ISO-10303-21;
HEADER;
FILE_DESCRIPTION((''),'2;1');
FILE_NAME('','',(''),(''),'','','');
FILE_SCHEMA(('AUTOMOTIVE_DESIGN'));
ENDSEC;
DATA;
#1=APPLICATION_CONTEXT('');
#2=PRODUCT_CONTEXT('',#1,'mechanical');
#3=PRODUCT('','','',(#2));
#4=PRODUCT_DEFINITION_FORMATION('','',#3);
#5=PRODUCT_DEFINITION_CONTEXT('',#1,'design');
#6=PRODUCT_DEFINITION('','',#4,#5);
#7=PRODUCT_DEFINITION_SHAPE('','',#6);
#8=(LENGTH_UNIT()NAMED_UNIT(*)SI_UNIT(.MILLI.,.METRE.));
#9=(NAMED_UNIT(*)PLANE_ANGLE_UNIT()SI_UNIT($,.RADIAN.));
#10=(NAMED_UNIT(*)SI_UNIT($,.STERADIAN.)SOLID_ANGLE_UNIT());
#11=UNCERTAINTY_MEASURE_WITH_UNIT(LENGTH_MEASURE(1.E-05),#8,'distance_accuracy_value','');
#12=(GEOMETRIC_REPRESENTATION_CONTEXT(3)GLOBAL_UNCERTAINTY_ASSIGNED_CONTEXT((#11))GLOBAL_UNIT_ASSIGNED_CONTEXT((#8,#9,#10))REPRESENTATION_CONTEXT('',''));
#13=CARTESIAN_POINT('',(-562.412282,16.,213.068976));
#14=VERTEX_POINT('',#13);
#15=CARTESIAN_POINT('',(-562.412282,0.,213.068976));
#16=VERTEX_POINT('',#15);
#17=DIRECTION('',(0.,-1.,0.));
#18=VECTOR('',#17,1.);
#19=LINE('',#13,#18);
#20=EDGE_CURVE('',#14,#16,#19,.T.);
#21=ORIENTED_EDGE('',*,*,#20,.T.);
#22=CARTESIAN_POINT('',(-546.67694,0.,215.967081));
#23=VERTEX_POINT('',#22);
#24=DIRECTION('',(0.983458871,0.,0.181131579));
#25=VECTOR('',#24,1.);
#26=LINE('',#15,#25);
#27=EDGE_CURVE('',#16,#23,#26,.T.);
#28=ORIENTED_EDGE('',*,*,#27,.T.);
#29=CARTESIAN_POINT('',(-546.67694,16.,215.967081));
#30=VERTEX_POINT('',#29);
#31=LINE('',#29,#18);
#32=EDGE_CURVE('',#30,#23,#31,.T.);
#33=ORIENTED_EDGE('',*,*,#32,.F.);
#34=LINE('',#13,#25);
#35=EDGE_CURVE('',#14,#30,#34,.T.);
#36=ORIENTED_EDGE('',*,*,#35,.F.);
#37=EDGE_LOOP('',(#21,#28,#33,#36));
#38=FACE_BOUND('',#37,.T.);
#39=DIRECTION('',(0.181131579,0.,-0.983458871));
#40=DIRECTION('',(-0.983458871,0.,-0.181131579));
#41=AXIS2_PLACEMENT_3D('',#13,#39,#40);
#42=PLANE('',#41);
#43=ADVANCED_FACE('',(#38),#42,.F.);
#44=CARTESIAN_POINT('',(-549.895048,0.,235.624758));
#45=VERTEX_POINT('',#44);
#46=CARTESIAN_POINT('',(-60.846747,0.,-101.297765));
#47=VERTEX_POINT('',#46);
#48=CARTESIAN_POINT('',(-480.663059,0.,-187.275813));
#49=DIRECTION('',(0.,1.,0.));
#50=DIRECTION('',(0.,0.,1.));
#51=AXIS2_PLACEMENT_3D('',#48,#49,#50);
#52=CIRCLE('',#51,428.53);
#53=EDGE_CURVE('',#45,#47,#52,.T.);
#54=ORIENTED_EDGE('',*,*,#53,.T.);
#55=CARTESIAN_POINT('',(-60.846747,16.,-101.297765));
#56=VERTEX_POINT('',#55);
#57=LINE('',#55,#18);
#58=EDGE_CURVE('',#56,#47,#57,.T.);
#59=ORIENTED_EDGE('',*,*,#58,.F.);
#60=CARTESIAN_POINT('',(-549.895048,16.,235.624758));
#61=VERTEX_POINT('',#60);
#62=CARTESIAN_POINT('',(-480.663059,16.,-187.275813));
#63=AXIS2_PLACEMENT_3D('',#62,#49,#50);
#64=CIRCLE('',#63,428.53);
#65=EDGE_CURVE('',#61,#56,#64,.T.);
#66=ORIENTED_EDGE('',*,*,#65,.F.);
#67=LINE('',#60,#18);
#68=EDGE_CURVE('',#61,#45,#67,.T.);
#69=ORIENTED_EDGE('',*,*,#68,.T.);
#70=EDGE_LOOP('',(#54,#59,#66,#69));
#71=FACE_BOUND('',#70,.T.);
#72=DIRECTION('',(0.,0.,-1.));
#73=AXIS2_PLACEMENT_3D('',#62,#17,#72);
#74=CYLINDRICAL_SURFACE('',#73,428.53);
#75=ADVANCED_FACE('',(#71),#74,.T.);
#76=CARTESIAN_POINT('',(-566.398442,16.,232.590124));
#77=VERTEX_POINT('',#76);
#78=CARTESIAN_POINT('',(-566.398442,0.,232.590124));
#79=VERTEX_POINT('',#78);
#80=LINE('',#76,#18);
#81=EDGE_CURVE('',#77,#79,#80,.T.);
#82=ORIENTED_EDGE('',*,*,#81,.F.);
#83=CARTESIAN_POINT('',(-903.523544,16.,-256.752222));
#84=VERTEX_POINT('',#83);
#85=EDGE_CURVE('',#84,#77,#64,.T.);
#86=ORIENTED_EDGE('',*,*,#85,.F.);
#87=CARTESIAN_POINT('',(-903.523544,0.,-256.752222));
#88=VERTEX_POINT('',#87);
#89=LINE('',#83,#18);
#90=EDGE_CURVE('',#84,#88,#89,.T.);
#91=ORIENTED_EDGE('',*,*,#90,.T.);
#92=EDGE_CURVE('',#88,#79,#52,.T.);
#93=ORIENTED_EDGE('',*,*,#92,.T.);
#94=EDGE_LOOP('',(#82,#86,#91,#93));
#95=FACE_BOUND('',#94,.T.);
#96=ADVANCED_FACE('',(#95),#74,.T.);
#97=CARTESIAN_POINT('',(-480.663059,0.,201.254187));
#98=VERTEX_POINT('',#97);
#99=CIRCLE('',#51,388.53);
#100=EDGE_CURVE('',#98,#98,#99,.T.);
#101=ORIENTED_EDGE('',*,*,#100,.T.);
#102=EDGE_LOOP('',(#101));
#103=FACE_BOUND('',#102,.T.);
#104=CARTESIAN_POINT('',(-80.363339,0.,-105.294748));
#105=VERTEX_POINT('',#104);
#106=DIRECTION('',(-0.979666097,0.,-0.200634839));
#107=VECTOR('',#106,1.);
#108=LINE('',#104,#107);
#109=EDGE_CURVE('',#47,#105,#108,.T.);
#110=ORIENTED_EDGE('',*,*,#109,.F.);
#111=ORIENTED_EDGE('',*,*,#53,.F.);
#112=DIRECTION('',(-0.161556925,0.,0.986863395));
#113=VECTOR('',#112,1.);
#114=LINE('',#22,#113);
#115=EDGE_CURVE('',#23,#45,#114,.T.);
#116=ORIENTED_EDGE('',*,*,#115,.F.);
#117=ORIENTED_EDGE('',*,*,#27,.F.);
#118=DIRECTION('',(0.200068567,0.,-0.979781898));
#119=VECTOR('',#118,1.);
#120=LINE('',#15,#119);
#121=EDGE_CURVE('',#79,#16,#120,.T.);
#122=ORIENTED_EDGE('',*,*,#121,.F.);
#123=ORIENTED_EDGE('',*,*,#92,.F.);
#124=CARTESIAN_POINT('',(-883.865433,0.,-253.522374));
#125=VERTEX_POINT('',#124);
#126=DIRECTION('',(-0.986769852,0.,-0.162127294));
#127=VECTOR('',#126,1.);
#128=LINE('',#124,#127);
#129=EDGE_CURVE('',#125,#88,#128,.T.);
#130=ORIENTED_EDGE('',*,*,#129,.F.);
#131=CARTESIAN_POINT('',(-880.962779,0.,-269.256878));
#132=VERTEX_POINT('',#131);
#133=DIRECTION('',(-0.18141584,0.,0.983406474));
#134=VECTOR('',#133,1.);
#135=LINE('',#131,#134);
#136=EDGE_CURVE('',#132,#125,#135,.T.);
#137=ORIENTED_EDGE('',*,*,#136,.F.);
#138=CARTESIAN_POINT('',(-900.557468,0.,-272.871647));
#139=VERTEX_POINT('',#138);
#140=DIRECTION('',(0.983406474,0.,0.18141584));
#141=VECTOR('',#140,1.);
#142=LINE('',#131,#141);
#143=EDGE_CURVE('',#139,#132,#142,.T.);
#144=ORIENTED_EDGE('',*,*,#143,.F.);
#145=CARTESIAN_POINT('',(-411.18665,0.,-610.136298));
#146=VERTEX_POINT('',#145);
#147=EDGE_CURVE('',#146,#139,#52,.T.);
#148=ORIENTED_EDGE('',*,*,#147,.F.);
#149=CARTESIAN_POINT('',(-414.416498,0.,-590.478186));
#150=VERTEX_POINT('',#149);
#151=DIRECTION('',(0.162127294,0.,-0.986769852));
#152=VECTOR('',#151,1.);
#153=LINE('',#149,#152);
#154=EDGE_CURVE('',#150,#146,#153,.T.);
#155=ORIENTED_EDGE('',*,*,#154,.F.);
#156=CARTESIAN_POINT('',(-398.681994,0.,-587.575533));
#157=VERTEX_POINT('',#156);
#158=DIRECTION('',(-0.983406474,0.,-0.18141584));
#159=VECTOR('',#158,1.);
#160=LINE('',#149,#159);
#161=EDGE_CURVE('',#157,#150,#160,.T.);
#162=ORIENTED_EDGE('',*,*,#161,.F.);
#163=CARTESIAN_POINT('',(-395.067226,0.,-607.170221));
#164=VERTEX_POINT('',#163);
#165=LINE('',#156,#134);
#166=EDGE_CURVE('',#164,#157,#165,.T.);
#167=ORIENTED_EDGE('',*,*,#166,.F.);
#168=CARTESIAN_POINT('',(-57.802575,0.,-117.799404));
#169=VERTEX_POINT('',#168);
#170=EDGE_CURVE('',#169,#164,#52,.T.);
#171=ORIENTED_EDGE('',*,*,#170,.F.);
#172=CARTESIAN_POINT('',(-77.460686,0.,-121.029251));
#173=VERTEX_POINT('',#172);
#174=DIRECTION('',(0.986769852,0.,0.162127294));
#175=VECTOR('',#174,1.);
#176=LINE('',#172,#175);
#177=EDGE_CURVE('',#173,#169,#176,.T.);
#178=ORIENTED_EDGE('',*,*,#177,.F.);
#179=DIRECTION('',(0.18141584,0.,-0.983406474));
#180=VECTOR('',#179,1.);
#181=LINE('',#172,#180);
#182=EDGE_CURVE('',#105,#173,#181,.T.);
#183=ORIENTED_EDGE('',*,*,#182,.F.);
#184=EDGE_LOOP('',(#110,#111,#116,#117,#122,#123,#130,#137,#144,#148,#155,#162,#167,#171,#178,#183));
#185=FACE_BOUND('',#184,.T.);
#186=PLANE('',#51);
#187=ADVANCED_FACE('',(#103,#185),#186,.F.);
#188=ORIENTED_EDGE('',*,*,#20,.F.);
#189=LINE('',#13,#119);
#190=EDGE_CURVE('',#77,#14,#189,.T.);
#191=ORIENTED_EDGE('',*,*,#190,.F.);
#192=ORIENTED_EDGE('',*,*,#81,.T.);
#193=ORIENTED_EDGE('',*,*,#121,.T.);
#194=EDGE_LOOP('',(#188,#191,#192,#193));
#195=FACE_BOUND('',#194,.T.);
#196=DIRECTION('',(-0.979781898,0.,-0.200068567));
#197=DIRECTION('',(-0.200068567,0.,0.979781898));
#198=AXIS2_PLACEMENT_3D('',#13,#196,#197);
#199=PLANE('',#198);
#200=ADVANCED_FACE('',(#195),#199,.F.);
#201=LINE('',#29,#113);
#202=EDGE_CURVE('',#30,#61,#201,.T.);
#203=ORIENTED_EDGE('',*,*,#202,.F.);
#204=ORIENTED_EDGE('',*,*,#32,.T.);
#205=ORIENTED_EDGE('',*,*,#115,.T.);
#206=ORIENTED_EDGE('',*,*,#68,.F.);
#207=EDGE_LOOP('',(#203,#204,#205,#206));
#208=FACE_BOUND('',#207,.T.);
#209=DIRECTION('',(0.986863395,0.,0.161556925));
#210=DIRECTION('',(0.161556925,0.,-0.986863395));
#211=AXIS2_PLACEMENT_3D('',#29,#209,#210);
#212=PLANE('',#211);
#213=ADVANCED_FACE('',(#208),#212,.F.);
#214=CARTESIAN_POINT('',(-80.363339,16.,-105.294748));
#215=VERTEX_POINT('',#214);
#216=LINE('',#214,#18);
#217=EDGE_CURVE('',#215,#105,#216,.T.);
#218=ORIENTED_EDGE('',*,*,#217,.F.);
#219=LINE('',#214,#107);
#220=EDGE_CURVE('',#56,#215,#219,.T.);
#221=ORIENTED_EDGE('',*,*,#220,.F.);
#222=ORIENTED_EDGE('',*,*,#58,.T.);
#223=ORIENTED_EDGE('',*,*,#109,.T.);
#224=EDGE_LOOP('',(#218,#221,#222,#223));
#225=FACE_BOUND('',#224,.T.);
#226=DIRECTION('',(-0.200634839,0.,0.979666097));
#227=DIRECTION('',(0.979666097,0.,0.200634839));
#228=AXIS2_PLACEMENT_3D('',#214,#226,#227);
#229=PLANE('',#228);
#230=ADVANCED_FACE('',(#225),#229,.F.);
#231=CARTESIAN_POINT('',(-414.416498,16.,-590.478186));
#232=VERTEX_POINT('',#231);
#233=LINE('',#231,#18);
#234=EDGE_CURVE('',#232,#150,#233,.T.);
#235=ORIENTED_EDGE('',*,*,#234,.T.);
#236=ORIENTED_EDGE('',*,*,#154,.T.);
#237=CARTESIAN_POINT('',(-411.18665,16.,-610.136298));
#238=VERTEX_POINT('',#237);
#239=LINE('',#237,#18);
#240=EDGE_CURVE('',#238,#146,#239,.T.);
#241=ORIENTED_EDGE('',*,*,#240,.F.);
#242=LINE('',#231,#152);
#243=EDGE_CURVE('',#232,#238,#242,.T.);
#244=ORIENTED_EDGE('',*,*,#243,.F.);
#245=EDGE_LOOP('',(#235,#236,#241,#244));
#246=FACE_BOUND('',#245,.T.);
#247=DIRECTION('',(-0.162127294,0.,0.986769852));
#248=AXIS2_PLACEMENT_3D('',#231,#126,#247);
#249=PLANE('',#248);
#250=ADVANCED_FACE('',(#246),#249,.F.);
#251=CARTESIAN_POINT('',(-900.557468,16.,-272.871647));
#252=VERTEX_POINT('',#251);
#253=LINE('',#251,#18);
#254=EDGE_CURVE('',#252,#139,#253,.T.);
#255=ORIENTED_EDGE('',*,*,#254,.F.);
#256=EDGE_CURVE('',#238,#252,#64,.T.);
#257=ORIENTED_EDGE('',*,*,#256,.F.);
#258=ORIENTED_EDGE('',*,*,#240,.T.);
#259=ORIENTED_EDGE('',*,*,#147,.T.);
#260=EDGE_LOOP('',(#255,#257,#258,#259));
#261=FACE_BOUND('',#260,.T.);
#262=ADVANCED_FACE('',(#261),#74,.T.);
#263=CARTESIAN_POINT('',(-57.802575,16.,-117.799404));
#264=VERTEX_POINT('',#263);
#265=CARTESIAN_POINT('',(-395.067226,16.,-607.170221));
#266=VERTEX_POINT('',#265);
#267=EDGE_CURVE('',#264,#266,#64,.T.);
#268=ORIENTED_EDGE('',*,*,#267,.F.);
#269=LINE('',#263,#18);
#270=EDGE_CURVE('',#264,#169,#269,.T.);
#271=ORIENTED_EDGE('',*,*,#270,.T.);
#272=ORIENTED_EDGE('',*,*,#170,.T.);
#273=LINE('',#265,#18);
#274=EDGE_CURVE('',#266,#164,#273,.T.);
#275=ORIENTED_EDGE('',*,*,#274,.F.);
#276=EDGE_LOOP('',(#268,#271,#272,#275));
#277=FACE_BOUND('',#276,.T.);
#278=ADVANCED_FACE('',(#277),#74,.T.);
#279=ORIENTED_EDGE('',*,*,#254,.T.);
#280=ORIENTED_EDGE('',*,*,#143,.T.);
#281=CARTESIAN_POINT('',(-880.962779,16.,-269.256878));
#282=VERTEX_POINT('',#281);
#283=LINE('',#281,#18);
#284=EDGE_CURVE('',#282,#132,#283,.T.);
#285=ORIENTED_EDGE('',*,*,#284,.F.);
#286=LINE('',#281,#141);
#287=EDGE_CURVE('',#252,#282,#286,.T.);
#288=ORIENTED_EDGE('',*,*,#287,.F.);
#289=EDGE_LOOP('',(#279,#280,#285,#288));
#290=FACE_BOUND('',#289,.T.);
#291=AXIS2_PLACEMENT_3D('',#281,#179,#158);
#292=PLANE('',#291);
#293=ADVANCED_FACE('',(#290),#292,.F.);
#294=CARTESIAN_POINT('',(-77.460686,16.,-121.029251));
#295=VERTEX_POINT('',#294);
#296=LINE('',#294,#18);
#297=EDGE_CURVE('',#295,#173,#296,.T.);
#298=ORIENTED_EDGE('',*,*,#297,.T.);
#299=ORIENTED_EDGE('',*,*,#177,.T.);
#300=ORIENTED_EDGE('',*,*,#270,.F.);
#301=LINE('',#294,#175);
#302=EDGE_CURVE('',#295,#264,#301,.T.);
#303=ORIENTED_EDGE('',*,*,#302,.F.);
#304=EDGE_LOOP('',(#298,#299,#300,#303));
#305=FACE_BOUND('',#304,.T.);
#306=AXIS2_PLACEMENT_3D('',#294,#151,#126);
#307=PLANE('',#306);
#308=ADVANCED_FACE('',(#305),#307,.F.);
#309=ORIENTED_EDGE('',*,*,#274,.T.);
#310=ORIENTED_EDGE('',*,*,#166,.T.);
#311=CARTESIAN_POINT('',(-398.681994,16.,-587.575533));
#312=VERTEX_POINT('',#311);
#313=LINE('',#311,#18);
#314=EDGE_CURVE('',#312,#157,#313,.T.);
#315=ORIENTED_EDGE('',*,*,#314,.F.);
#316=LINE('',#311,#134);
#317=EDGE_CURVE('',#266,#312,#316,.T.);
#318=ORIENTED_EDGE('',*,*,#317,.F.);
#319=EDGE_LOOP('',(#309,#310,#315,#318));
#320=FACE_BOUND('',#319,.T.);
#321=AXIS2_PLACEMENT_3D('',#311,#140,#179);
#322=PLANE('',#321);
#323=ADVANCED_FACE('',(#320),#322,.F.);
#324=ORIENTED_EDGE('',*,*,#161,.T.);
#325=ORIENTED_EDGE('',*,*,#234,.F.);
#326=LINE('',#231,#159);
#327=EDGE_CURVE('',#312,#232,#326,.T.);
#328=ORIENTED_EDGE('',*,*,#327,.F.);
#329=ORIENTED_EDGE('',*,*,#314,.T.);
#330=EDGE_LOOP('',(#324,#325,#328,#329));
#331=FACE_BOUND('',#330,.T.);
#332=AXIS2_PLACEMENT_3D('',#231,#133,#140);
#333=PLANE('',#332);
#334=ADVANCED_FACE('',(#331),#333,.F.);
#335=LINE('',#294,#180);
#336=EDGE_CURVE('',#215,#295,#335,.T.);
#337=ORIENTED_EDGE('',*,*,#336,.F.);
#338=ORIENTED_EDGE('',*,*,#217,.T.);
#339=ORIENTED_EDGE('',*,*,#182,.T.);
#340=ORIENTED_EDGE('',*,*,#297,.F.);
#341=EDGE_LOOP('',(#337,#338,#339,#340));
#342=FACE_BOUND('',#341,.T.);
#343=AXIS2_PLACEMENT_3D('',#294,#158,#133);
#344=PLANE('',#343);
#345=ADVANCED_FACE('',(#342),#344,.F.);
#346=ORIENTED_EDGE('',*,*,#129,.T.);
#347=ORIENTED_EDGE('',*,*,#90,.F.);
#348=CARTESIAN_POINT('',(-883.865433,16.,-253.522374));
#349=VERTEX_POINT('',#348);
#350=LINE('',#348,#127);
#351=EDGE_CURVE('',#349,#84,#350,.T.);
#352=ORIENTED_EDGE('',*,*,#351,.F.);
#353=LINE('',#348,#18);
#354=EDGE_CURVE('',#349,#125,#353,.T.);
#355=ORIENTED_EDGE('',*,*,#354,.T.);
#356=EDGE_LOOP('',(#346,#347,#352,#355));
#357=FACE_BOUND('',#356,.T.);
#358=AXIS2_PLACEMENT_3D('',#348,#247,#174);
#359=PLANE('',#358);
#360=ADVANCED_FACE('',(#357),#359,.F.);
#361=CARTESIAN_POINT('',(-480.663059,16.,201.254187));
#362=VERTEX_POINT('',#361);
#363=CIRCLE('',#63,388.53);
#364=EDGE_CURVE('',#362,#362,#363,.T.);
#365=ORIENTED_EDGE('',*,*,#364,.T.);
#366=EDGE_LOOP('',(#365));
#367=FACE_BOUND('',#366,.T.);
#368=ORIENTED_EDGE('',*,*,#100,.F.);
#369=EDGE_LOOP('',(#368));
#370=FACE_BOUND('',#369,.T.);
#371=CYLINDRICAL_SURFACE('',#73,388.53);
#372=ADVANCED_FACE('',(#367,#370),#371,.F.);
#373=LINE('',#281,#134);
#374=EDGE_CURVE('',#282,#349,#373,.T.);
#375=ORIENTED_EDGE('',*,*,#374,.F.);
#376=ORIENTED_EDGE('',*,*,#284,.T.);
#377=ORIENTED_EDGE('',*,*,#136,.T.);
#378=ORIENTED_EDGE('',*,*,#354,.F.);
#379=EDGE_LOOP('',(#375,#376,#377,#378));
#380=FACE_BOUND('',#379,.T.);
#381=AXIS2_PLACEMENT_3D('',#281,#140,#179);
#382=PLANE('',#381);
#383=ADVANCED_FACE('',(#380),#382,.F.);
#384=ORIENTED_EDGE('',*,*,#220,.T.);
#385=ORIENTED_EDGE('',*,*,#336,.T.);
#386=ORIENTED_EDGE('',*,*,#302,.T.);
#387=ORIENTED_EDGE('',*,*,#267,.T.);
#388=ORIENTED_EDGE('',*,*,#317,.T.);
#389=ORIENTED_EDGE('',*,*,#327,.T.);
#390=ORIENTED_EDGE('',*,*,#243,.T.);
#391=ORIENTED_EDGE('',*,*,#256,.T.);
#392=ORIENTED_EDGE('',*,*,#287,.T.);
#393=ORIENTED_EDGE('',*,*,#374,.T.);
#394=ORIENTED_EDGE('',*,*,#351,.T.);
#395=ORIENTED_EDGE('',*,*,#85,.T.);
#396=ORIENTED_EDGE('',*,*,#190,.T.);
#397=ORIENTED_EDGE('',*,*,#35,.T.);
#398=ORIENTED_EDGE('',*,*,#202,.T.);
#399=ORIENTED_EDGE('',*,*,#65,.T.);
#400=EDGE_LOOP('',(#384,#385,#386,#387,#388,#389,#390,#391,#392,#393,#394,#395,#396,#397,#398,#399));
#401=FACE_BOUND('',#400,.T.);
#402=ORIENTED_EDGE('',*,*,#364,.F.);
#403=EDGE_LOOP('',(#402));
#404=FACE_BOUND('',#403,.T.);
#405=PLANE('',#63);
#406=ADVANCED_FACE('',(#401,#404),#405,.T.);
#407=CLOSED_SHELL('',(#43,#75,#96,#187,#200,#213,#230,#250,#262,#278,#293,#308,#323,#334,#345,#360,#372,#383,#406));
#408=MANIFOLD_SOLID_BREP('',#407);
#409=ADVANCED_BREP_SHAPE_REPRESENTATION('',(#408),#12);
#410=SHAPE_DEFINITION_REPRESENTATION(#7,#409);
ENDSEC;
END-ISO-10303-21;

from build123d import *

# Parameters (mm, degrees)
SKETCH_1_R      = 388.53
EXTRUDE_2_DEPTH = 16


with BuildPart() as part:
    # Эскиз1 → Бобышка-Вытянуть2 (new body)
    with BuildSketch(Plane(origin=(0, 0, 0), x_dir=(1, 0, 0), z_dir=(0, 1, 0))):
        with BuildLine():
            Line((-414.416497784, 590.478186418), (-398.681994202, 587.575532974))
            Line((-398.681994202, 587.575532974), (-395.067225603, 607.17022127))
            ThreePointArc((-395.067225603, 607.17022127), (-127.813365795, 430.452815829), (-57.802574586, 117.799403754))
            Line((-57.802574586, 117.799403754), (-77.460685724, 121.029251476))
            Line((-77.460685724, 121.029251476), (-80.363339169, 105.294747893))
            Line((-80.363339169, 105.294747893), (-60.846746751, 101.297765253))
            ThreePointArc((-60.846746751, 101.297765253), (-237.544696024, -165.614286652), (-549.895048486, -235.624757623))
            Line((-549.895048486, -235.624757623), (-546.676939726, -215.967081375))
            Line((-546.676939726, -215.967081375), (-562.412281664, -213.068976114))
            Line((-562.412281664, -213.068976114), (-566.398442354, -232.590123996))
            ThreePointArc((-566.398442354, -232.590123996), (-833.553158398, -55.842550862), (-903.523543866, 256.75222208))
            Line((-903.523543866, 256.75222208), (-883.865432727, 253.522374358))
            Line((-883.865432727, 253.522374358), (-880.962779283, 269.256877941))
            Line((-880.962779283, 269.256877941), (-900.557467579, 272.87164654))
            ThreePointArc((-900.557467579, 272.87164654), (-723.840062138, 540.125506348), (-411.186650063, 610.136297557))
            Line((-411.186650063, 610.136297557), (-414.416497784, 590.478186418))
        make_face()
        with Locations((-480.663059226, 187.275812917)):
            Circle(SKETCH_1_R, mode=Mode.SUBTRACT)
    extrude(amount=EXTRUDE_2_DEPTH)


solid = part.part
